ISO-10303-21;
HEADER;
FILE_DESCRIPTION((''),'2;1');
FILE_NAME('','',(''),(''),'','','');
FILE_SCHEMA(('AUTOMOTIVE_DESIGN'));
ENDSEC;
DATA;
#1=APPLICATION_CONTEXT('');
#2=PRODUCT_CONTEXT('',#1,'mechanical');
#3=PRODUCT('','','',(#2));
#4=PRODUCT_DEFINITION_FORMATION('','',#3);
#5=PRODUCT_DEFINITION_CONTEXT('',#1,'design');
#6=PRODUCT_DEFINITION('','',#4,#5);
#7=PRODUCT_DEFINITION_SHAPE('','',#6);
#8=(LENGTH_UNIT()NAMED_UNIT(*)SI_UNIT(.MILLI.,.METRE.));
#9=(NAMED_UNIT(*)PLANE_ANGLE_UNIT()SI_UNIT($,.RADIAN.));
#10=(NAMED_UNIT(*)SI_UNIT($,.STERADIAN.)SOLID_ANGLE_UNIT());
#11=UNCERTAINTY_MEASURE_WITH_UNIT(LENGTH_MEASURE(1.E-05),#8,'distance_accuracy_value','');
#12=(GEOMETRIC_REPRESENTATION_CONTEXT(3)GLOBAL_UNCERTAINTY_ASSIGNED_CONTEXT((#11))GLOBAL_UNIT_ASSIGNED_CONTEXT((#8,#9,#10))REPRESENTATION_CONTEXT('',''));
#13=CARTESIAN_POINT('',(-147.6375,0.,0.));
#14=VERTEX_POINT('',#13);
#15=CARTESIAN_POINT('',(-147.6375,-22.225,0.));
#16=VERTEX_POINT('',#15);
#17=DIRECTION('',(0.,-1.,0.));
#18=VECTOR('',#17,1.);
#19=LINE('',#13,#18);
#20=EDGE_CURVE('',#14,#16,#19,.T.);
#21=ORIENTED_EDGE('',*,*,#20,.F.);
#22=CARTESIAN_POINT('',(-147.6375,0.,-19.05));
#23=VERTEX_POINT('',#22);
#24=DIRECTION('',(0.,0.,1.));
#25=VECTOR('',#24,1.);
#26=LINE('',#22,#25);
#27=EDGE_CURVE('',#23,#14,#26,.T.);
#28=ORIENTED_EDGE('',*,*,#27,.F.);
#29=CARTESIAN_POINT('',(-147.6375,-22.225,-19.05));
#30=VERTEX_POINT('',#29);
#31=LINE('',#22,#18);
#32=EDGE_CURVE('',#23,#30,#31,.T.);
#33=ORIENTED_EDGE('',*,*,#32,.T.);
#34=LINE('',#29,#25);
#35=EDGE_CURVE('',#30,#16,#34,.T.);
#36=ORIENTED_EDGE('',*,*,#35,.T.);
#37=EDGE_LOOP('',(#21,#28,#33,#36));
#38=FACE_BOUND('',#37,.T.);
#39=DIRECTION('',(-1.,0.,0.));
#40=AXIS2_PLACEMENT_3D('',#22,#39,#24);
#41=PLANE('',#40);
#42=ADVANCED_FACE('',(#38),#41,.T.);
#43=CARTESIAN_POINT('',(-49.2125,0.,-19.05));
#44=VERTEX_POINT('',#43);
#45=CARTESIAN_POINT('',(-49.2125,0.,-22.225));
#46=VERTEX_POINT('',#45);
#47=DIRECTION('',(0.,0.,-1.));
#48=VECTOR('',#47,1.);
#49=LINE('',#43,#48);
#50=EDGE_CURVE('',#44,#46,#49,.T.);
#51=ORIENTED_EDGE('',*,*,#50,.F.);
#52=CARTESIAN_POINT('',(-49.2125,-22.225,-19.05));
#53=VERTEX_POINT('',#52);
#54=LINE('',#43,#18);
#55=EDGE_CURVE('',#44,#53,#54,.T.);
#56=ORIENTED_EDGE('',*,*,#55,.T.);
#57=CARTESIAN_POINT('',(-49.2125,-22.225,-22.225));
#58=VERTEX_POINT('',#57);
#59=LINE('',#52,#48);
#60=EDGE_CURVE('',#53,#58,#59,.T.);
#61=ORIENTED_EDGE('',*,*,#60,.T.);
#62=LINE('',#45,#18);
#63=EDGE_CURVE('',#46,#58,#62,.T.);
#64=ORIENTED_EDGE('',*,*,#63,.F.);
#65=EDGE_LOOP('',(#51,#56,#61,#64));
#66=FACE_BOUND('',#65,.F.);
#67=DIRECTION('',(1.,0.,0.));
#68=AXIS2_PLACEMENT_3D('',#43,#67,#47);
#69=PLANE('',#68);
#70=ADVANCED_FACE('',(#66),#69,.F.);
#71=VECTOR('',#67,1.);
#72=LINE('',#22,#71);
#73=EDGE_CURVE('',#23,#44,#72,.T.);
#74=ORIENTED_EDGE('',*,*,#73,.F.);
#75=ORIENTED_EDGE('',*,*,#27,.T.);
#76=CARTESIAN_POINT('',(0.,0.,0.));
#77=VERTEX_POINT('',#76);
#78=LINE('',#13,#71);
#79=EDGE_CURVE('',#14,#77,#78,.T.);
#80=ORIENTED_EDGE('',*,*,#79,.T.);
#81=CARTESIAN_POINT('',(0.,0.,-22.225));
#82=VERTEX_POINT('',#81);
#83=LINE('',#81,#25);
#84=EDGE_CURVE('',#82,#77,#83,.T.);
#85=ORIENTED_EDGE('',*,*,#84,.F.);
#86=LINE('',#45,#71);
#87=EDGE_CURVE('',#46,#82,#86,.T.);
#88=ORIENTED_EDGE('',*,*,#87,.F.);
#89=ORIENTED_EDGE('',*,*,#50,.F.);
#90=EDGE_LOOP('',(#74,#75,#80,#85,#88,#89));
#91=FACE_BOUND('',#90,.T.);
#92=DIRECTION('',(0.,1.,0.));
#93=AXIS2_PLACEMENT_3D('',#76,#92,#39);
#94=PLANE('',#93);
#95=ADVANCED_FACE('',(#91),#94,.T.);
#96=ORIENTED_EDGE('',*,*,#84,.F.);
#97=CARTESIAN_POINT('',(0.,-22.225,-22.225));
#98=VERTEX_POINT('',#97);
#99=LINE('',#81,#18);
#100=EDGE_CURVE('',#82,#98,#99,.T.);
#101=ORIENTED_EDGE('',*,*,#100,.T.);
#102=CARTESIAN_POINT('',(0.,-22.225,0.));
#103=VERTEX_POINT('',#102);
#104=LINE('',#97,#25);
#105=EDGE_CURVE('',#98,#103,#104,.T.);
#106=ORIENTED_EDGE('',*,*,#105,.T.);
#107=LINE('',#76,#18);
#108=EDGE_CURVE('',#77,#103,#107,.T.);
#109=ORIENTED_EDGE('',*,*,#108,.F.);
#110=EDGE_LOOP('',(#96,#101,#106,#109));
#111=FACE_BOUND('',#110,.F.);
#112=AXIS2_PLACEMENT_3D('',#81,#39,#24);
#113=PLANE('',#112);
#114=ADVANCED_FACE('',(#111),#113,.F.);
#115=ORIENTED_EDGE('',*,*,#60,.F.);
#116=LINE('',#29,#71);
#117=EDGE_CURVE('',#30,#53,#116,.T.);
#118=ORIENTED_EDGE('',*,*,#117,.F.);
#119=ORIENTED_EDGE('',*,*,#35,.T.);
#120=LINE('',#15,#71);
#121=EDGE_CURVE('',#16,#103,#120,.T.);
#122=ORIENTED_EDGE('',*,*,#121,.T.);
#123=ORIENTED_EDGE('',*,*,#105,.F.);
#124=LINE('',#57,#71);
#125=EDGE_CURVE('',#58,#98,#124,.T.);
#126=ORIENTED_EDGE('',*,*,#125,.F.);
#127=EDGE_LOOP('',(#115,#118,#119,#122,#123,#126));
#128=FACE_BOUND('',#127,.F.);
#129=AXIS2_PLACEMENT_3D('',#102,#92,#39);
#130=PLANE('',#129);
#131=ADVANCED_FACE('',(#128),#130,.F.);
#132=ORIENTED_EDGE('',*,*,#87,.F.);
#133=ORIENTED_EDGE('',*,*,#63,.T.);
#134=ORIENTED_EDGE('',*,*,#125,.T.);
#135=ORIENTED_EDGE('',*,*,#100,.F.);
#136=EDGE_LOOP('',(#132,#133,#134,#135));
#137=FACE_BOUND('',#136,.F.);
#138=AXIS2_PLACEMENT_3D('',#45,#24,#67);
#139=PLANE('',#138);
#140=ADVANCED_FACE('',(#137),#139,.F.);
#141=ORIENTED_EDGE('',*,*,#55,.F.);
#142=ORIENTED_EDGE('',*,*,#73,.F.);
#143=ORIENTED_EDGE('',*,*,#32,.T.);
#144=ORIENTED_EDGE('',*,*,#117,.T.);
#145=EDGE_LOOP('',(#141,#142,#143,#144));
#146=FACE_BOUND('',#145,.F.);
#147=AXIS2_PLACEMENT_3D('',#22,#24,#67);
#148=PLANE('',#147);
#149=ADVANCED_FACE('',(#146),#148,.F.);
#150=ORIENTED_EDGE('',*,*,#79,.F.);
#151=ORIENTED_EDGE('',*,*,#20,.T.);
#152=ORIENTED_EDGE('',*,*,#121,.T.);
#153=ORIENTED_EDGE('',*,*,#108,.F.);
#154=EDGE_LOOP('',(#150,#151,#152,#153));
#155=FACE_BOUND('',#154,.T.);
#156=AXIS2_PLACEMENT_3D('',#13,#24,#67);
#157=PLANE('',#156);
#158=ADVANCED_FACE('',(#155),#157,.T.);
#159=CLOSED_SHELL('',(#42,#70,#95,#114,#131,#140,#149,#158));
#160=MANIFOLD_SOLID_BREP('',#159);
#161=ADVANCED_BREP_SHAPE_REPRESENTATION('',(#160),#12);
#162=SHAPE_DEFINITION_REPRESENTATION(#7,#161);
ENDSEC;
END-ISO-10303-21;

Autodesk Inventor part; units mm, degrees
ref_plane "YZ Plane" through (0, 0, 0) normal (1, 0, 0) x (0, 1, 0)
ref_plane "XZ Plane" through (0, 0, 0) normal (0, 1, 0) x (-1, 0, 0)
ref_plane "XY Plane" through (0, 0, 0) normal (0, 0, 1) x (1, 0, 0)
sketch "Sketch1" plane through (0, 0, 0) normal (0, 1, 0) x (-1, 0, 0)
  line L0 (147.6375, -19.05) -> (49.2125, -19.05)
  line L1 (49.2125, -19.05) -> (49.2125, -22.225)
  line L2 (49.2125, -22.225) -> (0, -22.225)
  line L3 (0, -22.225) -> (0, 0)
  line L4 (147.6375, -19.05) -> (147.6375, 0)
  line L5 (147.6375, 0) -> (0, 0)
  dimension "d0" = 22.225
  dimension "d2" = 98.425
  dimension "d8" = 19.05
  dimension "d9" = 147.6375
extrude "Extrusion1" add sketch "Sketch1" against normal blind 22.225
properties part number "Key--Lowest"
